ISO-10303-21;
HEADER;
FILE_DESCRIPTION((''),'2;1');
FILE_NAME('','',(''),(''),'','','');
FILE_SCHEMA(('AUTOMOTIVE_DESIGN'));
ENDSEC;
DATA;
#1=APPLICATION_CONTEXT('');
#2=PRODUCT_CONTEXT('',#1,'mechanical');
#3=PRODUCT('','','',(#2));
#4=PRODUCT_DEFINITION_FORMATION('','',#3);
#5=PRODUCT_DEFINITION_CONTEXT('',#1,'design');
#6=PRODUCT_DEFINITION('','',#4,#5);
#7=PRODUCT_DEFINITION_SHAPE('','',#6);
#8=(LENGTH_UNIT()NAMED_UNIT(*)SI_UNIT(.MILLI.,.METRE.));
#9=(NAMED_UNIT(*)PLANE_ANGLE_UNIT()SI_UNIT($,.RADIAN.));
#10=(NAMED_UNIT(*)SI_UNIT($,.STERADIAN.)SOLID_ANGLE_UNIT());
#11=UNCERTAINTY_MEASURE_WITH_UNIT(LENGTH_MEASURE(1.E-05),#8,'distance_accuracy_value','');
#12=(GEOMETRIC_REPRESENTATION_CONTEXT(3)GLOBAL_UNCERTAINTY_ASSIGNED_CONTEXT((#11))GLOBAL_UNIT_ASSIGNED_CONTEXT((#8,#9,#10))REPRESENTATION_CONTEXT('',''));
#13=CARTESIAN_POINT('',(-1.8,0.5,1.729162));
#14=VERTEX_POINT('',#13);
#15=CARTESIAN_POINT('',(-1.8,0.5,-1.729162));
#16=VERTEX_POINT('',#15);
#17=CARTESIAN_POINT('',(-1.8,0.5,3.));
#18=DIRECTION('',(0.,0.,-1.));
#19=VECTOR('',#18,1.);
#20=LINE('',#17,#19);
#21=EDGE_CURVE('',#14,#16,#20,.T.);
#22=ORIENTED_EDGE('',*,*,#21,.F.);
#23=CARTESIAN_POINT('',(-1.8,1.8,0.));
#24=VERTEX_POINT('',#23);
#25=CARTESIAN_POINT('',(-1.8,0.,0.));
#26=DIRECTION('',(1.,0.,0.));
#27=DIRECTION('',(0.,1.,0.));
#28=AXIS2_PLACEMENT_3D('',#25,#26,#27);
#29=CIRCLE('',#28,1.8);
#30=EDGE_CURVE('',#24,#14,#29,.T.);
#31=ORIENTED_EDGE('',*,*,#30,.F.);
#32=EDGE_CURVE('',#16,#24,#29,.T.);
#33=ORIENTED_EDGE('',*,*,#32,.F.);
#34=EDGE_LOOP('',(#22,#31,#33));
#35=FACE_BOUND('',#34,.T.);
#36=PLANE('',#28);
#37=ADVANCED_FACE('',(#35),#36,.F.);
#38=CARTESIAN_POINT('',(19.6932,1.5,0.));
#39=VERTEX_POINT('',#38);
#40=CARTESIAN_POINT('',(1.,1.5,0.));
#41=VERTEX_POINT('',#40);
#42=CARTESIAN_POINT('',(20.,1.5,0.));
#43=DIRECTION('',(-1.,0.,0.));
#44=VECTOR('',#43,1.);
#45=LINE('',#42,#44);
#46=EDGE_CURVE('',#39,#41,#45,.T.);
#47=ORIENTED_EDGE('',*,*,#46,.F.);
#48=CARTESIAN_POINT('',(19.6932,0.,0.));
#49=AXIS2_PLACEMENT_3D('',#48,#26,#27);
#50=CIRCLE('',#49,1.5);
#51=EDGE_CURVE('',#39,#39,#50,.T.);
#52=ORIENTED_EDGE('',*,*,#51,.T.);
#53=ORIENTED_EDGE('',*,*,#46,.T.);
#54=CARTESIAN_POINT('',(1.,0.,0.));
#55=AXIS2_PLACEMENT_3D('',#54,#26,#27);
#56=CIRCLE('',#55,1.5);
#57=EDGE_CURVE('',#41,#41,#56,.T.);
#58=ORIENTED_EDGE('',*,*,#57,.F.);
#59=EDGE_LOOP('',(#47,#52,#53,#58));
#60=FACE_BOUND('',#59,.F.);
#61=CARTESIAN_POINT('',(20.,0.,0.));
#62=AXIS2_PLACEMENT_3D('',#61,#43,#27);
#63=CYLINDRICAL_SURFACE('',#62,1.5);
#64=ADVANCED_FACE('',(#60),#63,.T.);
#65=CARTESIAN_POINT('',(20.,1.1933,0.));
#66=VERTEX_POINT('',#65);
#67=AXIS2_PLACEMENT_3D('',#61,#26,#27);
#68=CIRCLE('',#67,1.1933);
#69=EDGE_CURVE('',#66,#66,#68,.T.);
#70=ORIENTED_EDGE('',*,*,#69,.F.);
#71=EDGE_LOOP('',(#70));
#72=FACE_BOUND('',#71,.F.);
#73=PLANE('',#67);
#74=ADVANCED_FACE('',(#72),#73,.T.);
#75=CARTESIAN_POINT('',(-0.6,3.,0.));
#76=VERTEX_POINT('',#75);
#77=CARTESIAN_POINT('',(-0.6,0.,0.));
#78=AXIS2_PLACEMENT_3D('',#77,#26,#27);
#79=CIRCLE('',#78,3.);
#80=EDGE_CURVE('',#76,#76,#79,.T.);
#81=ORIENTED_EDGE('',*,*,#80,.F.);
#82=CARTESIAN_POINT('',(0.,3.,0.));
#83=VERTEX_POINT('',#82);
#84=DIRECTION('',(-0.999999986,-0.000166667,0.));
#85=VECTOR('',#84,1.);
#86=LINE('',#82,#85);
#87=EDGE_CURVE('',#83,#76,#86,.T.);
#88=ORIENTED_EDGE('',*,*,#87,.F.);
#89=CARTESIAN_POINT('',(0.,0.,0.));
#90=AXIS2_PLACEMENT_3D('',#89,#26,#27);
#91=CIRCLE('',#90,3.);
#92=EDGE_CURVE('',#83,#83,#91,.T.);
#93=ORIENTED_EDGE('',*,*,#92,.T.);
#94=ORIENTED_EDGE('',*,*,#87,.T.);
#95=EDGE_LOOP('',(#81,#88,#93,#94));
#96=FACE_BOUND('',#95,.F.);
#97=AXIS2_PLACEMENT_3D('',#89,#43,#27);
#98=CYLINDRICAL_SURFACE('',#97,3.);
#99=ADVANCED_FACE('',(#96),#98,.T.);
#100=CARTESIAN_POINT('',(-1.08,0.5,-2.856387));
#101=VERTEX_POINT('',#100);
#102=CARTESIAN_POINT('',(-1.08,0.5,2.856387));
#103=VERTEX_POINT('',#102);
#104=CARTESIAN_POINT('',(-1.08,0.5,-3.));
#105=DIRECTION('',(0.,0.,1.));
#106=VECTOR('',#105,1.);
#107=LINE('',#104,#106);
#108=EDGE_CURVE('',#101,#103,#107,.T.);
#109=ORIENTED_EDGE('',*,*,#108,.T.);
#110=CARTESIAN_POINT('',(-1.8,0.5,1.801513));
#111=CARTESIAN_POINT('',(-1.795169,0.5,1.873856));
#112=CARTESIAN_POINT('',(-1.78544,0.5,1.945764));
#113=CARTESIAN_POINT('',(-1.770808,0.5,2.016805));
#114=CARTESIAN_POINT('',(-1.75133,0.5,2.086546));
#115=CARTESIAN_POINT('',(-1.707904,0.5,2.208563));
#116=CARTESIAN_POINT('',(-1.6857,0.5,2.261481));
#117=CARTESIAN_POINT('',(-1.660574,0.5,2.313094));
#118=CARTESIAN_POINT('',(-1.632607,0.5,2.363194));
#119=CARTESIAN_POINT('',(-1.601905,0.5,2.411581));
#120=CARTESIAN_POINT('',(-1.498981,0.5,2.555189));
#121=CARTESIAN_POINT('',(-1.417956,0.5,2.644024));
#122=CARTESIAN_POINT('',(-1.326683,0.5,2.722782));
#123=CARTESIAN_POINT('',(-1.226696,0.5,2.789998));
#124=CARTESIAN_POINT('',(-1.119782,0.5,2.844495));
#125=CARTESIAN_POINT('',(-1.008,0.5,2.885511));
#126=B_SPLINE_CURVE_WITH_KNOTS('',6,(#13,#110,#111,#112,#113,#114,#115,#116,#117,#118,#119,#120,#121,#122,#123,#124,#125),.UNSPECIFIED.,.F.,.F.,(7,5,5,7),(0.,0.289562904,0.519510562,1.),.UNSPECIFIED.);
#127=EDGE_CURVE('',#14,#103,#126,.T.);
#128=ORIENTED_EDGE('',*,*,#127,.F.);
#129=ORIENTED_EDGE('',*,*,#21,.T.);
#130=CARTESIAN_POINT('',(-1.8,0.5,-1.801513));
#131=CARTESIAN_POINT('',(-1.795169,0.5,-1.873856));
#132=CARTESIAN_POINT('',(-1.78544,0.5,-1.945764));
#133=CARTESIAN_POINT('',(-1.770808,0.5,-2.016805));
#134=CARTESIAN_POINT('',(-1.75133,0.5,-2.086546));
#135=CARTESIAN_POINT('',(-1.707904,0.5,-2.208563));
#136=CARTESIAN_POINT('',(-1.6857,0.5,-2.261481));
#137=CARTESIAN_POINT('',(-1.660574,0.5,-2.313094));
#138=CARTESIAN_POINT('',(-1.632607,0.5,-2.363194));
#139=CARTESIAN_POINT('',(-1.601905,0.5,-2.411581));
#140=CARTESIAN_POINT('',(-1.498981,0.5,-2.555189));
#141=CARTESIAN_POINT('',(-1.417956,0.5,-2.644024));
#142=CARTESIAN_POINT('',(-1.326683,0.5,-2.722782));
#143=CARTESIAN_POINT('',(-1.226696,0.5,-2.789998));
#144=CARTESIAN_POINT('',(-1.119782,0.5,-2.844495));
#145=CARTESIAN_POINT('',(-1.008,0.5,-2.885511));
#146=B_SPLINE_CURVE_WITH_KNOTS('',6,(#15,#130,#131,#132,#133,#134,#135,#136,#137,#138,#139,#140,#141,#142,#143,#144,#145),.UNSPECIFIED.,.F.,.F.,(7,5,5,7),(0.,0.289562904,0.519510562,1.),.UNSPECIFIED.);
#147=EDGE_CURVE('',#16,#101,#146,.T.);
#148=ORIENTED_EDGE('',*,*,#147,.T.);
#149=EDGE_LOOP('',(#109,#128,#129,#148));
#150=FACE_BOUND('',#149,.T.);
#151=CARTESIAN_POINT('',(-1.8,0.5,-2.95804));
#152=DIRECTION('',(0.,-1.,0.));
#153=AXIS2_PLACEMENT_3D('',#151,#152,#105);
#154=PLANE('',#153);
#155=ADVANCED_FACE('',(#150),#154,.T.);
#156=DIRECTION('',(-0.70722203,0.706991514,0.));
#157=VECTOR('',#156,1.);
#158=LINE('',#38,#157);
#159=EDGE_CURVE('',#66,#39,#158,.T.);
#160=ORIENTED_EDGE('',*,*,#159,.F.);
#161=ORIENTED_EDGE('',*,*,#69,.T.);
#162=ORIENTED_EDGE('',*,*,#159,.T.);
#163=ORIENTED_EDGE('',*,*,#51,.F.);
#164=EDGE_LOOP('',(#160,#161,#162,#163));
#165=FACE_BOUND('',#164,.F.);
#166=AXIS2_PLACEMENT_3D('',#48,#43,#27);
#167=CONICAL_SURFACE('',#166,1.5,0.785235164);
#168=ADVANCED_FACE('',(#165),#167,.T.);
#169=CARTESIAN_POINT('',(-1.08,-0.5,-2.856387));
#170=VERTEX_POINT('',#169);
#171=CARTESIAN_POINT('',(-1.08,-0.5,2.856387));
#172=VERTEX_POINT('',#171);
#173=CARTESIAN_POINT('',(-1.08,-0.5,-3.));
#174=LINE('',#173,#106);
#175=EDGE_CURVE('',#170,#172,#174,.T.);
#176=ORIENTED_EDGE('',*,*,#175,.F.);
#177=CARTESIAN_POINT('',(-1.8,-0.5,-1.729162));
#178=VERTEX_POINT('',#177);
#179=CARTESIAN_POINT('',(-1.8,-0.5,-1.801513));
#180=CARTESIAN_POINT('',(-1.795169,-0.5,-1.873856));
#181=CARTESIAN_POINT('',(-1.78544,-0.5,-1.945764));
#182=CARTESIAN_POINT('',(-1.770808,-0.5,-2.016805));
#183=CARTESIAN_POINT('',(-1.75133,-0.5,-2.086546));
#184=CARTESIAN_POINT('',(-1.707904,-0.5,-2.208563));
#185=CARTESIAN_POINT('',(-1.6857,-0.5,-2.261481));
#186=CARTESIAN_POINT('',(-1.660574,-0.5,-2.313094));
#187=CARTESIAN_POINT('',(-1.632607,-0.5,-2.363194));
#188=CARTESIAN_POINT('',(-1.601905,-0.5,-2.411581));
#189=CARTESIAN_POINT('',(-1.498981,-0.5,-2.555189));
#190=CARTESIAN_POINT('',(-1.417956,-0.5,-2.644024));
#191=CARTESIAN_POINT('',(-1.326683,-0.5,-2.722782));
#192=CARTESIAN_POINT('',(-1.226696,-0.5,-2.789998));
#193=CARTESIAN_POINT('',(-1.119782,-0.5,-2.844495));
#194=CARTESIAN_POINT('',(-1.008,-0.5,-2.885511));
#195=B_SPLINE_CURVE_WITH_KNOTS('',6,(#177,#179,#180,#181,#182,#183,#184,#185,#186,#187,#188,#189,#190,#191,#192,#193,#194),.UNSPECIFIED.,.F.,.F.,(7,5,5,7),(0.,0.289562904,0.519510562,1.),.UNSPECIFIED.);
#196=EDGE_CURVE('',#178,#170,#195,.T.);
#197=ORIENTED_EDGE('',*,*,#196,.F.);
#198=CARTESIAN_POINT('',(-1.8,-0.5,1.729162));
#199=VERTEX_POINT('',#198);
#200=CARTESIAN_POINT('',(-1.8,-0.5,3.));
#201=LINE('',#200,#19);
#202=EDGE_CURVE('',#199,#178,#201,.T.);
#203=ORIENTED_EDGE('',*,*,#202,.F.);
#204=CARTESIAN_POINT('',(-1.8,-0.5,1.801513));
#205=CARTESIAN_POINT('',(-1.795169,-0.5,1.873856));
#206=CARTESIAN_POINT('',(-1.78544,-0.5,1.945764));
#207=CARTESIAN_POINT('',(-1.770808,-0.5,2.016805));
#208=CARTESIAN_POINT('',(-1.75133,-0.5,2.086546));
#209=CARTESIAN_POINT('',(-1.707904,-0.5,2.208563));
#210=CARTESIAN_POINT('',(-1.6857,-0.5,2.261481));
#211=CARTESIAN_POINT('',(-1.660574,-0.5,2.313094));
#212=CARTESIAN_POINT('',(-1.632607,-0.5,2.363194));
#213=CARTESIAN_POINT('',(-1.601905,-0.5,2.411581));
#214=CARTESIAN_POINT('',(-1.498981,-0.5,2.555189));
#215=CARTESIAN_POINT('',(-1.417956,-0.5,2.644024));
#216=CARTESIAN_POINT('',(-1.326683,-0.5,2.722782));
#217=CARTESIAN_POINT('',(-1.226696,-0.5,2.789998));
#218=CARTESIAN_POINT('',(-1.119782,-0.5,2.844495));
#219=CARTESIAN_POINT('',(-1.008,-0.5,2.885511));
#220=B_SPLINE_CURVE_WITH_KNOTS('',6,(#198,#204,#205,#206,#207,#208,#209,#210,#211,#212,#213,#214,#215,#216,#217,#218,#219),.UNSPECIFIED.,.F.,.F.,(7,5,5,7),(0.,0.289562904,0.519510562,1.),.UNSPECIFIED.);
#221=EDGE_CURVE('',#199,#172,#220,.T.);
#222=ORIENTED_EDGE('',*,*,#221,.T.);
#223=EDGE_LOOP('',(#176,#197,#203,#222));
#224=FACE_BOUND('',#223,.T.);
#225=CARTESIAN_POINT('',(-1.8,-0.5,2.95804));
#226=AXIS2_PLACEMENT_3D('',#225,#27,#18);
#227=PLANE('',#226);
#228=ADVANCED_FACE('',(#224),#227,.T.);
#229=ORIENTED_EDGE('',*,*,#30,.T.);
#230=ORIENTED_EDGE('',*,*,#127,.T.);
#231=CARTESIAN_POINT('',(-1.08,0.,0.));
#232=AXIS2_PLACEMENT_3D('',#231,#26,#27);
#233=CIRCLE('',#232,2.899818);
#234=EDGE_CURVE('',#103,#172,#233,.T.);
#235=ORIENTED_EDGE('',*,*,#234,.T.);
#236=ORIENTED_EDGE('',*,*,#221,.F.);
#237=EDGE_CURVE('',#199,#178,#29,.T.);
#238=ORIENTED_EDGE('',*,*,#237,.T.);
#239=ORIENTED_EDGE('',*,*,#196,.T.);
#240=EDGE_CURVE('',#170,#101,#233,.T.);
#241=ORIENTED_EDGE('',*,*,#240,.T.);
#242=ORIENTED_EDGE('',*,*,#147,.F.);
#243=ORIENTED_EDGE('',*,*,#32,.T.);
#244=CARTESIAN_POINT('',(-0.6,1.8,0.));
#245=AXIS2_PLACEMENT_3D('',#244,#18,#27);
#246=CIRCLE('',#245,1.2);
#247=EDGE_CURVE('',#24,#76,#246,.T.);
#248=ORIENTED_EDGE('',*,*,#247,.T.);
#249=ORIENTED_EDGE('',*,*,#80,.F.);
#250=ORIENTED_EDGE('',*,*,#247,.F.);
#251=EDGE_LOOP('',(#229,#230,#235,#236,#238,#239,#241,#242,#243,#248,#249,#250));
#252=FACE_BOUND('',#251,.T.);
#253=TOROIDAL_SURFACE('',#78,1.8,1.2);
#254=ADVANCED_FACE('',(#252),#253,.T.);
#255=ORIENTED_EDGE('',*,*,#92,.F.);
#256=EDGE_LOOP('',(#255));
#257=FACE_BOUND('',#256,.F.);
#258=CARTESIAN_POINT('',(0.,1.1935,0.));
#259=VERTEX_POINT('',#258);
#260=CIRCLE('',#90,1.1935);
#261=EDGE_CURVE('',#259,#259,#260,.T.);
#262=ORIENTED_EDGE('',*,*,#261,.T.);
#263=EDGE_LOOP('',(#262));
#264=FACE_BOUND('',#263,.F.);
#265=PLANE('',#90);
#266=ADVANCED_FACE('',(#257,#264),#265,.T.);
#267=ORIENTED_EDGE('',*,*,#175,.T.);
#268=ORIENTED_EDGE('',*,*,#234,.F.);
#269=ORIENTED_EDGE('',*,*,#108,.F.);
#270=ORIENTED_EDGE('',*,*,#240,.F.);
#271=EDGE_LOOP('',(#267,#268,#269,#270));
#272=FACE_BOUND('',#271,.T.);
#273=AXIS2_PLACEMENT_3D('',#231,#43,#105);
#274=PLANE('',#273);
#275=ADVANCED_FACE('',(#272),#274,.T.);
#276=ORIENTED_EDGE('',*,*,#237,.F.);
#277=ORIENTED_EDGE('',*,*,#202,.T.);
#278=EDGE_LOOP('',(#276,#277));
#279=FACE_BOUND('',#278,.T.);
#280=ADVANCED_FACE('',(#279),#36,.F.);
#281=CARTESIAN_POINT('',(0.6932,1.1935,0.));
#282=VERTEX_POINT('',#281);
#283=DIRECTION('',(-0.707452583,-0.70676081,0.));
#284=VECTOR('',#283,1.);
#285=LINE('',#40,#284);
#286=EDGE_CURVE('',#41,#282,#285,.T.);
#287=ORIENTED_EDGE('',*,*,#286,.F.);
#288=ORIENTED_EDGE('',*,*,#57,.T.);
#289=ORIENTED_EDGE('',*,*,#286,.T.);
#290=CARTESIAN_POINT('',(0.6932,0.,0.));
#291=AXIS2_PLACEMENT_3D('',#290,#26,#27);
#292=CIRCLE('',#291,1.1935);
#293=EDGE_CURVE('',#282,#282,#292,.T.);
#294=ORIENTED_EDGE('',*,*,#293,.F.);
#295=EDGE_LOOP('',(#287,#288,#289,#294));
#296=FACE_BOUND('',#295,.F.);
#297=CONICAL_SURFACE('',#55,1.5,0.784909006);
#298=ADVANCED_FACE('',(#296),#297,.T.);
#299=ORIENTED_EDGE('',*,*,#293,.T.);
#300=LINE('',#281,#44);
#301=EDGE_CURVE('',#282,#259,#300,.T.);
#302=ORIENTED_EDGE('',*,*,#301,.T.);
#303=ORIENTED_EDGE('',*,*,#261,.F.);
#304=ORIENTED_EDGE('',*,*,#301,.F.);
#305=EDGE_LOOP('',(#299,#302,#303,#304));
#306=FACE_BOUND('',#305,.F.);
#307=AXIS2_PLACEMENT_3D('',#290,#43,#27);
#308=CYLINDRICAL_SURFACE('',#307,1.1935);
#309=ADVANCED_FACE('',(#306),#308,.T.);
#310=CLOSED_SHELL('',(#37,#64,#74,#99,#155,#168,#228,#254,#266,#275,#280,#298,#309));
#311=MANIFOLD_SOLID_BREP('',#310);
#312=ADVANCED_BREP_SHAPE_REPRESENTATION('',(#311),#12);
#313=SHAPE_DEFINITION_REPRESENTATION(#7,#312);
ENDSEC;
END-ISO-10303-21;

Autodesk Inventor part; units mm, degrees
ref_plane "YZ Plane" through (0, 0, 0) normal (1, 0, 0) x (0, 1, 0)
ref_plane "XZ Plane" through (0, 0, 0) normal (0, 1, 0) x (-1, 0, 0)
sketch "Sketch1" plane through (0, 0, 0) normal (0, 0, 1) x (1, 0, 0)
  line L0 (-1.8, 0) -> (20, 0)
  line L1 (20, 0) -> (20, 1.5)
  line L2 (20, 1.5) -> (1, 1.5)
  line L3 (1, 1.5) -> (0.6932, 1.1935)
  line L4 (0.6932, 1.1935) -> (0, 1.1935)
  line L5 (0, 1.1935) -> (0, 3)
  line L6 (-6.16, 0) -> (24.36, 0) projected
  line L7 (0, -0.6) -> (0, 3.6) projected
  line L8 (-1.8, 0) -> (-1.8, 2.9997)
  line L9 (0, 3) -> (-1.8, 2.9997)
  line L10 (1, 1.5) -> (0, 1.5) construction
  dimension "d0" = 20
  dimension "d1" = 19
  dimension "d2" = 0.3068
  dimension "d3" = 1.8
  dimension "d4" = 3
  dimension "d5" = 2.387
  dimension "d9" = 6
  dimension "d10" = 0.01
revolve "Body" add sketch "Sketch1" angle 360 about axis through (-1.8, 0, 0) along (1, 0, 0)
sketch "Sketch2" plane through (-1.8, 0, 0) normal (-1, 0, 0) x (0, 0, 1)
  circle A0 centre (0, 0) radius 3 projected
  line L0 (0, 0) -> (0, 2.9997) projected
  line L1 (-3, 0.5) -> (3, 0.5)
  line L2 (3, 0.5) -> (3, -0.5)
  line L3 (3, -0.5) -> (-3, -0.5)
  line L4 (-3, -0.5) -> (-3, 0.5)
  line L5 (-3, 0) -> (3, 0) construction
  line L6 (0, 0.5) -> (0, -0.5) construction
  dimension "d11" = 1
  dimension "d12" = 6
fillet "Fillet1" radius 1.2 1 edges at (-1.8, -2.9997, 0)
extrude "Slot" cut sketch "Sketch2" against normal blind 0.72 contours A0 L3 L1 | L2 L3 A0 | A0 L1 L2 | L3 L4 A0 | A0 L4 L1
thread "Thread" size "M3x0.5" class "6g" standard "ISO Metric profile" length 19
chamfer "Chamfer1" distance 0.3067 distance2 0.3068 1 edges at (20, -1.5, 0) measured on face at (20, 0.3743, -0.3316)
ref_plane "Work Plane1" through (30.1625, 0, 0) normal (0, 0, -1) x (1, 0, 0)
equation "\"d11\" = SBR"
equation "\"d12\" = KOD"
equation "\"d14\" = RR"
equation "\"d19\" = STI"
equation "\"d15\" = GEL"
equation "\"d17\" = -0.5 * SPD + 0.5 * GD"
equation "\"d0\" = NLG"
equation "\"d1\" = GEL"
equation "\"d3\" = KOH"
equation "\"d4\" = GD"
equation "\"d5\" = BDM"
equation "\"d9\" = KOD"
equation "\"d10\" = KEWI"
equation "\"GD\" = NND"
equation "\"NLG\" = 20"
equation "\"GEL\" = 19"
equation "\"KOD\" = 6"
equation "\"KOH\" = 1.8"
equation "\"GAL\" = 0.61345 * PTC"
equation "\"SPD\" = NND - 1.2269 * PTC"
equation "\"BDM\" = 2.387"
equation "\"GUL\" = 0.61345 * PTC"
equation "\"RR\" = 1.2"
equation "\"SBR\" = 1"
equation "\"STI\" = 0.72"
equation "\"KEWI\" = 0.01deg"
equation "\"PTC\" = 0.5"
equation "\"THREADDIA\" = 3"
equation "\"TOA\" = 30deg"
equation "\"NND\" = 3"
equation "\"RR1\" = 0.3"
equation "\"GD1\" = THREADDIA - 1.2269 * PTC"
properties part number "AS 1427 - M3 x 20(6)" material "Steel, Mild"
